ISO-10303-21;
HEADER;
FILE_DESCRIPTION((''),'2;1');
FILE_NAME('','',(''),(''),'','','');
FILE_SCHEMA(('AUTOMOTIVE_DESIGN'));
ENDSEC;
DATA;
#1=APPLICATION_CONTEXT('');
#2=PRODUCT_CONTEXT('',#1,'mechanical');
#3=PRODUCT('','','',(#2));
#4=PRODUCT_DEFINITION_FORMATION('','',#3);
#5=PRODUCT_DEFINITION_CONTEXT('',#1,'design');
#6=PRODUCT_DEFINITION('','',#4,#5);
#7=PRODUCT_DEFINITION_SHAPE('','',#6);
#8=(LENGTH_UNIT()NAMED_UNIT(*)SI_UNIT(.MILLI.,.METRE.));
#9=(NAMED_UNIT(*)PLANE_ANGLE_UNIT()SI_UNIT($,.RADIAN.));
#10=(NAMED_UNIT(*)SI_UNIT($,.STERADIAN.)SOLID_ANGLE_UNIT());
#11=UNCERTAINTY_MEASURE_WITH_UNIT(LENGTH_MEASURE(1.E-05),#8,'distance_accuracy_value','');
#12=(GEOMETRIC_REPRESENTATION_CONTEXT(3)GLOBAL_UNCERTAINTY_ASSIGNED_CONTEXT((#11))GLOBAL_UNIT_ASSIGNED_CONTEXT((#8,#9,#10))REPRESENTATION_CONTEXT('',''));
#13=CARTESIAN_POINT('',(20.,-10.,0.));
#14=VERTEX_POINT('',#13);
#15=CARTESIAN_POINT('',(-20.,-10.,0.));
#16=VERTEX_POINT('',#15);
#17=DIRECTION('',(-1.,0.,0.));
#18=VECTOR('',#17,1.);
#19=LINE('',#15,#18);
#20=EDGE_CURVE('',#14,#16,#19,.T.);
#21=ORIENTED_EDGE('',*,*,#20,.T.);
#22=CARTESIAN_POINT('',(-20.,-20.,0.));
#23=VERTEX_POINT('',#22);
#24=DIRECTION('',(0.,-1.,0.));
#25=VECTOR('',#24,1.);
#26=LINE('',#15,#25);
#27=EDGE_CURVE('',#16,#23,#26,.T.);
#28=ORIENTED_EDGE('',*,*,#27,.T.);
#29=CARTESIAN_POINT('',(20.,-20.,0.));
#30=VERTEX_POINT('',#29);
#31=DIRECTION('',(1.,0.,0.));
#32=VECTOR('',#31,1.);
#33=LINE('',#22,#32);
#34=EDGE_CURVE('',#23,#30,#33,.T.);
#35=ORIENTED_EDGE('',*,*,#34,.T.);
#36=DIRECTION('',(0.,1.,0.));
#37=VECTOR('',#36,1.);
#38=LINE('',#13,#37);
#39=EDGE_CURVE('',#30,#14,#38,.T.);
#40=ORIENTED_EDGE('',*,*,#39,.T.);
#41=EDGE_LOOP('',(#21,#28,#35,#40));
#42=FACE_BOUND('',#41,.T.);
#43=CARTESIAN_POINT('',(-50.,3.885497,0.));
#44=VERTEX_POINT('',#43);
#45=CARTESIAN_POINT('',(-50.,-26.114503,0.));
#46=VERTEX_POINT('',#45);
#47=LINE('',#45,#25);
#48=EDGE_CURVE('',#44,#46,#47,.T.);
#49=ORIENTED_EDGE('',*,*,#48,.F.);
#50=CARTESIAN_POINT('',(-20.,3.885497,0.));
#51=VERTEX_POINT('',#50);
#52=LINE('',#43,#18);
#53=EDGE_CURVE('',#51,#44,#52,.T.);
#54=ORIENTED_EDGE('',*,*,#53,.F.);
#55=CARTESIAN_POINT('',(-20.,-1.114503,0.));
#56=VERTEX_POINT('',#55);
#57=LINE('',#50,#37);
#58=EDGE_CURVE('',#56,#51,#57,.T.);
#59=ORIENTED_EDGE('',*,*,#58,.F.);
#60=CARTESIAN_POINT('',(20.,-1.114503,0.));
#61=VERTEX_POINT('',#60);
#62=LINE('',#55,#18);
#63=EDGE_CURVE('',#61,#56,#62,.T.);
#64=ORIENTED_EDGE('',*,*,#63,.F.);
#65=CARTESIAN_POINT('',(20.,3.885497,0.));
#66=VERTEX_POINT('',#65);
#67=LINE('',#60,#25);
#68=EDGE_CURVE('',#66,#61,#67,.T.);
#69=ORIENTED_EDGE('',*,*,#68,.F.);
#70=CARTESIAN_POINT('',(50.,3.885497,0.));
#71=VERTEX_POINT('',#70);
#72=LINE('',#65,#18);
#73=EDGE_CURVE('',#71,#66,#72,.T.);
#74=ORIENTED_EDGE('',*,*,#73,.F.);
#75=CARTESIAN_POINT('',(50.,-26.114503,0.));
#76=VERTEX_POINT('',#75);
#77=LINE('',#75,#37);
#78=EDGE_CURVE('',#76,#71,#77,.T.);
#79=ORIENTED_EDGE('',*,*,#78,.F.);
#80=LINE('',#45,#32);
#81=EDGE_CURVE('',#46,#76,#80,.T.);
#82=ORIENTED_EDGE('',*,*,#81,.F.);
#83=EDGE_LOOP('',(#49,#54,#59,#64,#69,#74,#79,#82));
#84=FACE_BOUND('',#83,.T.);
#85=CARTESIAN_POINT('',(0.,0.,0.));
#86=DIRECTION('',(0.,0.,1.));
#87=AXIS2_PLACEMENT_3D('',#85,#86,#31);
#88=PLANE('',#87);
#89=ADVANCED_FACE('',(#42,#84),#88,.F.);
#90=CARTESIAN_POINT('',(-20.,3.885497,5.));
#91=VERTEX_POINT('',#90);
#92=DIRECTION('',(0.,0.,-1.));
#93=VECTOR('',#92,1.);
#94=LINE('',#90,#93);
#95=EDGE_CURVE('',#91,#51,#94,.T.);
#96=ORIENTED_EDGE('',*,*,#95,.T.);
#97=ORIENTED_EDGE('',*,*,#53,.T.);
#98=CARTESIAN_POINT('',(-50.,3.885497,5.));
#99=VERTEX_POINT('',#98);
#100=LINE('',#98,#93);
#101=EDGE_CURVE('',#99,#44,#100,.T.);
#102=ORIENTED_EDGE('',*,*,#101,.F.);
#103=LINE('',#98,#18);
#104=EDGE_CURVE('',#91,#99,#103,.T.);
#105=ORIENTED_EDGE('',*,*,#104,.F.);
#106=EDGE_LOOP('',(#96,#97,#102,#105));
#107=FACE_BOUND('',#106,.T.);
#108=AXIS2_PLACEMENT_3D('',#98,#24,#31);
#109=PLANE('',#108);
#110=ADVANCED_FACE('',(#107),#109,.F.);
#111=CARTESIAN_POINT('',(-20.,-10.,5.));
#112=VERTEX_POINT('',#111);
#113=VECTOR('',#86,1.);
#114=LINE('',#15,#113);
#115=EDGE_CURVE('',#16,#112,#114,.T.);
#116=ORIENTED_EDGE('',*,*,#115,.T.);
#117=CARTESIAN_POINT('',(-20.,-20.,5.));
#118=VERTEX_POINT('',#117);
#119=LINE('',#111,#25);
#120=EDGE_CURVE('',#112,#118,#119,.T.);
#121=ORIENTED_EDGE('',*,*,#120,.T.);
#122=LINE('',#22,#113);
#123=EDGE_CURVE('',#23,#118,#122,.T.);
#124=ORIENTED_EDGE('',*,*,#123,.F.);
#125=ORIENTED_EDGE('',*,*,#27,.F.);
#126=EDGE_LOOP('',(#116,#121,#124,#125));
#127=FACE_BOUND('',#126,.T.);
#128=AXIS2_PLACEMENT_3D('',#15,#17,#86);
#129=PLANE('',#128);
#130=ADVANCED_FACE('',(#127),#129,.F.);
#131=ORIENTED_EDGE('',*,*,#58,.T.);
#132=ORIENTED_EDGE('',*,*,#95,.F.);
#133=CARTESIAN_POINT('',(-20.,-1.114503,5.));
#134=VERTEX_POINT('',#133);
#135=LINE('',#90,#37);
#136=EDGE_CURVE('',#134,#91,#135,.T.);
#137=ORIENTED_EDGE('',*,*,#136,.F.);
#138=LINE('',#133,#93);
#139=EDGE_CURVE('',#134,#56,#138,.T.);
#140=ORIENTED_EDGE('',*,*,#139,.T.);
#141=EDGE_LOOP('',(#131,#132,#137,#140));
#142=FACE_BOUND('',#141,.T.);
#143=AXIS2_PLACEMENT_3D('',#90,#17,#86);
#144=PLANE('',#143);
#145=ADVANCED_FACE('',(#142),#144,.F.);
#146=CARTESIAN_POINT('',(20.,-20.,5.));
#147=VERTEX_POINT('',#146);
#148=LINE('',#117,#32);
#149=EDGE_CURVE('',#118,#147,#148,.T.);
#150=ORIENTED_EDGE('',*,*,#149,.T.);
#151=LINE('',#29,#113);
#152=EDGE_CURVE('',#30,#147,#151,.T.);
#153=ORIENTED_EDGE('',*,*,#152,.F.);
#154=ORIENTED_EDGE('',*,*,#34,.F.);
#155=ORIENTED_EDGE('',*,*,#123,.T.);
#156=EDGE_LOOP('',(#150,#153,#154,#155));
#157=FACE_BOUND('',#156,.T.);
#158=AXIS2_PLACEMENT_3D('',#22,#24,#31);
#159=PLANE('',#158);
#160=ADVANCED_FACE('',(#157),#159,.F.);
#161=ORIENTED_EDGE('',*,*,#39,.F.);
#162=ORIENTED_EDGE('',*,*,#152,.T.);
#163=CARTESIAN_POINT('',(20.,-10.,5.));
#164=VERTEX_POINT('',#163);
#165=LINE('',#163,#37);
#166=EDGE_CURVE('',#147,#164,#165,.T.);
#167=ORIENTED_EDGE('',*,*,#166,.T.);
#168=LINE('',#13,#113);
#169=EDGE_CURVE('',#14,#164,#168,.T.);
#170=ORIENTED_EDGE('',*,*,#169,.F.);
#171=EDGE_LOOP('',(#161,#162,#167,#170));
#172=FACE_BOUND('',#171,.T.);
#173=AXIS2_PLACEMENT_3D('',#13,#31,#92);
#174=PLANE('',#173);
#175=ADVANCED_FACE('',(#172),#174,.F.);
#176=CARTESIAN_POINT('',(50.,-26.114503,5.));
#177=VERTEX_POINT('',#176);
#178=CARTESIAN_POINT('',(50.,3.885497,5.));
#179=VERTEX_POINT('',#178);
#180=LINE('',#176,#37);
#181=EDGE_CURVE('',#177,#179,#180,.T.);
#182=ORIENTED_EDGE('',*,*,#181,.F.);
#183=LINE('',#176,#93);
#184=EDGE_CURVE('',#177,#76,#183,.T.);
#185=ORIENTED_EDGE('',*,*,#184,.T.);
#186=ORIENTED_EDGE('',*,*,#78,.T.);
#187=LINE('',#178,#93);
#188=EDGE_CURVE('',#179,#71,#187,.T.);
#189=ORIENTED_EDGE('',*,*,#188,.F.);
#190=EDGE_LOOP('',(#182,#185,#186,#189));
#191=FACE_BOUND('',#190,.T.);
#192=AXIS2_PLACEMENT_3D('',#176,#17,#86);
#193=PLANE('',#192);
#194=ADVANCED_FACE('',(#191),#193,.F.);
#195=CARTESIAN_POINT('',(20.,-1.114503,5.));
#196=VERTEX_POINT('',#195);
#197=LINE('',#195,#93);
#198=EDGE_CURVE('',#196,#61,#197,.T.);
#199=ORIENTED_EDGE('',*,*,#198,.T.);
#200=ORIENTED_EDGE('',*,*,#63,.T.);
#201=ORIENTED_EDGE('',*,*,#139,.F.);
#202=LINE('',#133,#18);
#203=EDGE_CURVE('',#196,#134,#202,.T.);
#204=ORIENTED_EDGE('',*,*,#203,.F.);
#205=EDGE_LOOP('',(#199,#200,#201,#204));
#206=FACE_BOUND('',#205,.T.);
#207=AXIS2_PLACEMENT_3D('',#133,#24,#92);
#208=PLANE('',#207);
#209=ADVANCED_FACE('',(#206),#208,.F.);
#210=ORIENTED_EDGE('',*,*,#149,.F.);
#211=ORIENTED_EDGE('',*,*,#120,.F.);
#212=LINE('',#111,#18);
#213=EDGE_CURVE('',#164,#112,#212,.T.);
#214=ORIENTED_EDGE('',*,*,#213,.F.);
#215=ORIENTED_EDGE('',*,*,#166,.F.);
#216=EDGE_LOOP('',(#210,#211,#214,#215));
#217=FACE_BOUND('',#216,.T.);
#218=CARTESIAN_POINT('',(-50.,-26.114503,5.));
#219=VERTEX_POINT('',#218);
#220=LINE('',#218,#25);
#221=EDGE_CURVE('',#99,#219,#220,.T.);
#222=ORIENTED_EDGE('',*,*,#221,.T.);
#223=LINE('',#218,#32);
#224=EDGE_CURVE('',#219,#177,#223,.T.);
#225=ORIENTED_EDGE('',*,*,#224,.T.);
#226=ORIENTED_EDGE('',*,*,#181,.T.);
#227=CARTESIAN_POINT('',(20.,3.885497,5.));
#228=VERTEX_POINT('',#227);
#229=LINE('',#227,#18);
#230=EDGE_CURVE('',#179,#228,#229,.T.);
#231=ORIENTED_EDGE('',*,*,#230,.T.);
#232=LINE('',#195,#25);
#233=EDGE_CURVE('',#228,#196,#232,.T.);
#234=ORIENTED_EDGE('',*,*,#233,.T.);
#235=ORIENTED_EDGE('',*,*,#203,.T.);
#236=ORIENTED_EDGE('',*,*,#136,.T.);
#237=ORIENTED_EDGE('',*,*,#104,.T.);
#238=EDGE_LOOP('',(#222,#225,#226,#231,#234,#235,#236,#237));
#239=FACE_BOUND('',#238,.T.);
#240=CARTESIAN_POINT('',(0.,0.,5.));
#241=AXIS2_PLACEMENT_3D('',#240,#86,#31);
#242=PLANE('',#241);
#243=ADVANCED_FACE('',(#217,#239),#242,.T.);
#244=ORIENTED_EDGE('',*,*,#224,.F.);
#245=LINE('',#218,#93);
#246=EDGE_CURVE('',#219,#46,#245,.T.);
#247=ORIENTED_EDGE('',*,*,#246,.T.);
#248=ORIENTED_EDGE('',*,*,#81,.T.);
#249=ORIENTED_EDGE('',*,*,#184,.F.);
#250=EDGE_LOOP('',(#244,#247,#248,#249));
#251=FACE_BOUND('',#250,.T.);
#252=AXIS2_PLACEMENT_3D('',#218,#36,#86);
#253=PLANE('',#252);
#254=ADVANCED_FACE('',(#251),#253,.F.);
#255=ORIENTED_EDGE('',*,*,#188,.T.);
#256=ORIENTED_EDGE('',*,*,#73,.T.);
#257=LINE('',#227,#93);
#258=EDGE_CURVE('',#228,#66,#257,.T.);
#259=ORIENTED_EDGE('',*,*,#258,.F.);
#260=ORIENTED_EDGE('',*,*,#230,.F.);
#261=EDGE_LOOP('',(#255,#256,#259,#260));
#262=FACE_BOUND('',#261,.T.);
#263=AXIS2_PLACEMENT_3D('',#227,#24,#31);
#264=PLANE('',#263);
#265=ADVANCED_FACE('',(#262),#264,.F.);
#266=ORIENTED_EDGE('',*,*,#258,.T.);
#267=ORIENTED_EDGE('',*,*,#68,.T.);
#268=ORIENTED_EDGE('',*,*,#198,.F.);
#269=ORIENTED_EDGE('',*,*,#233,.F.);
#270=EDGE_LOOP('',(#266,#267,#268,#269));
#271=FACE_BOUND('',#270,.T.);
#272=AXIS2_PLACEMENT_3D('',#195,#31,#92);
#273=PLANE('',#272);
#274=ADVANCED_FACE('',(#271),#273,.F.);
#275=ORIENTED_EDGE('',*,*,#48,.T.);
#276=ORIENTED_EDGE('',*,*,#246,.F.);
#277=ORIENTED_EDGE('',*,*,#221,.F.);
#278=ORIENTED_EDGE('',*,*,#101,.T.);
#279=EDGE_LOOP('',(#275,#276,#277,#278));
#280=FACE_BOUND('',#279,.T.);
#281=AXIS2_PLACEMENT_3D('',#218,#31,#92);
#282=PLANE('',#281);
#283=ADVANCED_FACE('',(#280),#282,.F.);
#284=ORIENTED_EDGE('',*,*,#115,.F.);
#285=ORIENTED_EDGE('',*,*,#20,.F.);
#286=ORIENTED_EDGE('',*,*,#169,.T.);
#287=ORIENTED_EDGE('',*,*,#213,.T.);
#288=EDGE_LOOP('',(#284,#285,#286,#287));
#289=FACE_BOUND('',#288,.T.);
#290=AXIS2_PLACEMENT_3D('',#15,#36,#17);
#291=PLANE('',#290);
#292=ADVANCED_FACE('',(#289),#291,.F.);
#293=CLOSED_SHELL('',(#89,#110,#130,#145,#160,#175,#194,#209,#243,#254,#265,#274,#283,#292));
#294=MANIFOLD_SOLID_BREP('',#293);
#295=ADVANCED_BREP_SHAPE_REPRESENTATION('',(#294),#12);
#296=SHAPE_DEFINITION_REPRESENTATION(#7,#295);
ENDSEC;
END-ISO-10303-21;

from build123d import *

# Parameters (mm, degrees)
BOSS_EXTRUDE1_DEPTH = 5
SKETCH2_W           = 40
SKETCH2_H           = 10
CUT_EXTRUDE1_DEPTH  = 5


with BuildPart() as part:
    # Sketch1 → Boss-Extrude1 (new body)
    with BuildSketch(Plane.XY):
        Polygon((-50, -26.114503221), (50, -26.114503221), (50, 3.885496779), (20, 3.885496779), (20, -1.114503221), (-20, -1.114503221), (-20, 3.885496779), (-50, 3.885496779), align=None)
    extrude(amount=BOSS_EXTRUDE1_DEPTH)

    # Sketch2 → Cut-Extrude1 (cut)
    with BuildSketch(Plane.XY.offset(5)):
        with Locations((0, -15)):
            Rectangle(SKETCH2_W, SKETCH2_H)
    extrude(amount=-CUT_EXTRUDE1_DEPTH, mode=Mode.SUBTRACT)


solid = part.part
